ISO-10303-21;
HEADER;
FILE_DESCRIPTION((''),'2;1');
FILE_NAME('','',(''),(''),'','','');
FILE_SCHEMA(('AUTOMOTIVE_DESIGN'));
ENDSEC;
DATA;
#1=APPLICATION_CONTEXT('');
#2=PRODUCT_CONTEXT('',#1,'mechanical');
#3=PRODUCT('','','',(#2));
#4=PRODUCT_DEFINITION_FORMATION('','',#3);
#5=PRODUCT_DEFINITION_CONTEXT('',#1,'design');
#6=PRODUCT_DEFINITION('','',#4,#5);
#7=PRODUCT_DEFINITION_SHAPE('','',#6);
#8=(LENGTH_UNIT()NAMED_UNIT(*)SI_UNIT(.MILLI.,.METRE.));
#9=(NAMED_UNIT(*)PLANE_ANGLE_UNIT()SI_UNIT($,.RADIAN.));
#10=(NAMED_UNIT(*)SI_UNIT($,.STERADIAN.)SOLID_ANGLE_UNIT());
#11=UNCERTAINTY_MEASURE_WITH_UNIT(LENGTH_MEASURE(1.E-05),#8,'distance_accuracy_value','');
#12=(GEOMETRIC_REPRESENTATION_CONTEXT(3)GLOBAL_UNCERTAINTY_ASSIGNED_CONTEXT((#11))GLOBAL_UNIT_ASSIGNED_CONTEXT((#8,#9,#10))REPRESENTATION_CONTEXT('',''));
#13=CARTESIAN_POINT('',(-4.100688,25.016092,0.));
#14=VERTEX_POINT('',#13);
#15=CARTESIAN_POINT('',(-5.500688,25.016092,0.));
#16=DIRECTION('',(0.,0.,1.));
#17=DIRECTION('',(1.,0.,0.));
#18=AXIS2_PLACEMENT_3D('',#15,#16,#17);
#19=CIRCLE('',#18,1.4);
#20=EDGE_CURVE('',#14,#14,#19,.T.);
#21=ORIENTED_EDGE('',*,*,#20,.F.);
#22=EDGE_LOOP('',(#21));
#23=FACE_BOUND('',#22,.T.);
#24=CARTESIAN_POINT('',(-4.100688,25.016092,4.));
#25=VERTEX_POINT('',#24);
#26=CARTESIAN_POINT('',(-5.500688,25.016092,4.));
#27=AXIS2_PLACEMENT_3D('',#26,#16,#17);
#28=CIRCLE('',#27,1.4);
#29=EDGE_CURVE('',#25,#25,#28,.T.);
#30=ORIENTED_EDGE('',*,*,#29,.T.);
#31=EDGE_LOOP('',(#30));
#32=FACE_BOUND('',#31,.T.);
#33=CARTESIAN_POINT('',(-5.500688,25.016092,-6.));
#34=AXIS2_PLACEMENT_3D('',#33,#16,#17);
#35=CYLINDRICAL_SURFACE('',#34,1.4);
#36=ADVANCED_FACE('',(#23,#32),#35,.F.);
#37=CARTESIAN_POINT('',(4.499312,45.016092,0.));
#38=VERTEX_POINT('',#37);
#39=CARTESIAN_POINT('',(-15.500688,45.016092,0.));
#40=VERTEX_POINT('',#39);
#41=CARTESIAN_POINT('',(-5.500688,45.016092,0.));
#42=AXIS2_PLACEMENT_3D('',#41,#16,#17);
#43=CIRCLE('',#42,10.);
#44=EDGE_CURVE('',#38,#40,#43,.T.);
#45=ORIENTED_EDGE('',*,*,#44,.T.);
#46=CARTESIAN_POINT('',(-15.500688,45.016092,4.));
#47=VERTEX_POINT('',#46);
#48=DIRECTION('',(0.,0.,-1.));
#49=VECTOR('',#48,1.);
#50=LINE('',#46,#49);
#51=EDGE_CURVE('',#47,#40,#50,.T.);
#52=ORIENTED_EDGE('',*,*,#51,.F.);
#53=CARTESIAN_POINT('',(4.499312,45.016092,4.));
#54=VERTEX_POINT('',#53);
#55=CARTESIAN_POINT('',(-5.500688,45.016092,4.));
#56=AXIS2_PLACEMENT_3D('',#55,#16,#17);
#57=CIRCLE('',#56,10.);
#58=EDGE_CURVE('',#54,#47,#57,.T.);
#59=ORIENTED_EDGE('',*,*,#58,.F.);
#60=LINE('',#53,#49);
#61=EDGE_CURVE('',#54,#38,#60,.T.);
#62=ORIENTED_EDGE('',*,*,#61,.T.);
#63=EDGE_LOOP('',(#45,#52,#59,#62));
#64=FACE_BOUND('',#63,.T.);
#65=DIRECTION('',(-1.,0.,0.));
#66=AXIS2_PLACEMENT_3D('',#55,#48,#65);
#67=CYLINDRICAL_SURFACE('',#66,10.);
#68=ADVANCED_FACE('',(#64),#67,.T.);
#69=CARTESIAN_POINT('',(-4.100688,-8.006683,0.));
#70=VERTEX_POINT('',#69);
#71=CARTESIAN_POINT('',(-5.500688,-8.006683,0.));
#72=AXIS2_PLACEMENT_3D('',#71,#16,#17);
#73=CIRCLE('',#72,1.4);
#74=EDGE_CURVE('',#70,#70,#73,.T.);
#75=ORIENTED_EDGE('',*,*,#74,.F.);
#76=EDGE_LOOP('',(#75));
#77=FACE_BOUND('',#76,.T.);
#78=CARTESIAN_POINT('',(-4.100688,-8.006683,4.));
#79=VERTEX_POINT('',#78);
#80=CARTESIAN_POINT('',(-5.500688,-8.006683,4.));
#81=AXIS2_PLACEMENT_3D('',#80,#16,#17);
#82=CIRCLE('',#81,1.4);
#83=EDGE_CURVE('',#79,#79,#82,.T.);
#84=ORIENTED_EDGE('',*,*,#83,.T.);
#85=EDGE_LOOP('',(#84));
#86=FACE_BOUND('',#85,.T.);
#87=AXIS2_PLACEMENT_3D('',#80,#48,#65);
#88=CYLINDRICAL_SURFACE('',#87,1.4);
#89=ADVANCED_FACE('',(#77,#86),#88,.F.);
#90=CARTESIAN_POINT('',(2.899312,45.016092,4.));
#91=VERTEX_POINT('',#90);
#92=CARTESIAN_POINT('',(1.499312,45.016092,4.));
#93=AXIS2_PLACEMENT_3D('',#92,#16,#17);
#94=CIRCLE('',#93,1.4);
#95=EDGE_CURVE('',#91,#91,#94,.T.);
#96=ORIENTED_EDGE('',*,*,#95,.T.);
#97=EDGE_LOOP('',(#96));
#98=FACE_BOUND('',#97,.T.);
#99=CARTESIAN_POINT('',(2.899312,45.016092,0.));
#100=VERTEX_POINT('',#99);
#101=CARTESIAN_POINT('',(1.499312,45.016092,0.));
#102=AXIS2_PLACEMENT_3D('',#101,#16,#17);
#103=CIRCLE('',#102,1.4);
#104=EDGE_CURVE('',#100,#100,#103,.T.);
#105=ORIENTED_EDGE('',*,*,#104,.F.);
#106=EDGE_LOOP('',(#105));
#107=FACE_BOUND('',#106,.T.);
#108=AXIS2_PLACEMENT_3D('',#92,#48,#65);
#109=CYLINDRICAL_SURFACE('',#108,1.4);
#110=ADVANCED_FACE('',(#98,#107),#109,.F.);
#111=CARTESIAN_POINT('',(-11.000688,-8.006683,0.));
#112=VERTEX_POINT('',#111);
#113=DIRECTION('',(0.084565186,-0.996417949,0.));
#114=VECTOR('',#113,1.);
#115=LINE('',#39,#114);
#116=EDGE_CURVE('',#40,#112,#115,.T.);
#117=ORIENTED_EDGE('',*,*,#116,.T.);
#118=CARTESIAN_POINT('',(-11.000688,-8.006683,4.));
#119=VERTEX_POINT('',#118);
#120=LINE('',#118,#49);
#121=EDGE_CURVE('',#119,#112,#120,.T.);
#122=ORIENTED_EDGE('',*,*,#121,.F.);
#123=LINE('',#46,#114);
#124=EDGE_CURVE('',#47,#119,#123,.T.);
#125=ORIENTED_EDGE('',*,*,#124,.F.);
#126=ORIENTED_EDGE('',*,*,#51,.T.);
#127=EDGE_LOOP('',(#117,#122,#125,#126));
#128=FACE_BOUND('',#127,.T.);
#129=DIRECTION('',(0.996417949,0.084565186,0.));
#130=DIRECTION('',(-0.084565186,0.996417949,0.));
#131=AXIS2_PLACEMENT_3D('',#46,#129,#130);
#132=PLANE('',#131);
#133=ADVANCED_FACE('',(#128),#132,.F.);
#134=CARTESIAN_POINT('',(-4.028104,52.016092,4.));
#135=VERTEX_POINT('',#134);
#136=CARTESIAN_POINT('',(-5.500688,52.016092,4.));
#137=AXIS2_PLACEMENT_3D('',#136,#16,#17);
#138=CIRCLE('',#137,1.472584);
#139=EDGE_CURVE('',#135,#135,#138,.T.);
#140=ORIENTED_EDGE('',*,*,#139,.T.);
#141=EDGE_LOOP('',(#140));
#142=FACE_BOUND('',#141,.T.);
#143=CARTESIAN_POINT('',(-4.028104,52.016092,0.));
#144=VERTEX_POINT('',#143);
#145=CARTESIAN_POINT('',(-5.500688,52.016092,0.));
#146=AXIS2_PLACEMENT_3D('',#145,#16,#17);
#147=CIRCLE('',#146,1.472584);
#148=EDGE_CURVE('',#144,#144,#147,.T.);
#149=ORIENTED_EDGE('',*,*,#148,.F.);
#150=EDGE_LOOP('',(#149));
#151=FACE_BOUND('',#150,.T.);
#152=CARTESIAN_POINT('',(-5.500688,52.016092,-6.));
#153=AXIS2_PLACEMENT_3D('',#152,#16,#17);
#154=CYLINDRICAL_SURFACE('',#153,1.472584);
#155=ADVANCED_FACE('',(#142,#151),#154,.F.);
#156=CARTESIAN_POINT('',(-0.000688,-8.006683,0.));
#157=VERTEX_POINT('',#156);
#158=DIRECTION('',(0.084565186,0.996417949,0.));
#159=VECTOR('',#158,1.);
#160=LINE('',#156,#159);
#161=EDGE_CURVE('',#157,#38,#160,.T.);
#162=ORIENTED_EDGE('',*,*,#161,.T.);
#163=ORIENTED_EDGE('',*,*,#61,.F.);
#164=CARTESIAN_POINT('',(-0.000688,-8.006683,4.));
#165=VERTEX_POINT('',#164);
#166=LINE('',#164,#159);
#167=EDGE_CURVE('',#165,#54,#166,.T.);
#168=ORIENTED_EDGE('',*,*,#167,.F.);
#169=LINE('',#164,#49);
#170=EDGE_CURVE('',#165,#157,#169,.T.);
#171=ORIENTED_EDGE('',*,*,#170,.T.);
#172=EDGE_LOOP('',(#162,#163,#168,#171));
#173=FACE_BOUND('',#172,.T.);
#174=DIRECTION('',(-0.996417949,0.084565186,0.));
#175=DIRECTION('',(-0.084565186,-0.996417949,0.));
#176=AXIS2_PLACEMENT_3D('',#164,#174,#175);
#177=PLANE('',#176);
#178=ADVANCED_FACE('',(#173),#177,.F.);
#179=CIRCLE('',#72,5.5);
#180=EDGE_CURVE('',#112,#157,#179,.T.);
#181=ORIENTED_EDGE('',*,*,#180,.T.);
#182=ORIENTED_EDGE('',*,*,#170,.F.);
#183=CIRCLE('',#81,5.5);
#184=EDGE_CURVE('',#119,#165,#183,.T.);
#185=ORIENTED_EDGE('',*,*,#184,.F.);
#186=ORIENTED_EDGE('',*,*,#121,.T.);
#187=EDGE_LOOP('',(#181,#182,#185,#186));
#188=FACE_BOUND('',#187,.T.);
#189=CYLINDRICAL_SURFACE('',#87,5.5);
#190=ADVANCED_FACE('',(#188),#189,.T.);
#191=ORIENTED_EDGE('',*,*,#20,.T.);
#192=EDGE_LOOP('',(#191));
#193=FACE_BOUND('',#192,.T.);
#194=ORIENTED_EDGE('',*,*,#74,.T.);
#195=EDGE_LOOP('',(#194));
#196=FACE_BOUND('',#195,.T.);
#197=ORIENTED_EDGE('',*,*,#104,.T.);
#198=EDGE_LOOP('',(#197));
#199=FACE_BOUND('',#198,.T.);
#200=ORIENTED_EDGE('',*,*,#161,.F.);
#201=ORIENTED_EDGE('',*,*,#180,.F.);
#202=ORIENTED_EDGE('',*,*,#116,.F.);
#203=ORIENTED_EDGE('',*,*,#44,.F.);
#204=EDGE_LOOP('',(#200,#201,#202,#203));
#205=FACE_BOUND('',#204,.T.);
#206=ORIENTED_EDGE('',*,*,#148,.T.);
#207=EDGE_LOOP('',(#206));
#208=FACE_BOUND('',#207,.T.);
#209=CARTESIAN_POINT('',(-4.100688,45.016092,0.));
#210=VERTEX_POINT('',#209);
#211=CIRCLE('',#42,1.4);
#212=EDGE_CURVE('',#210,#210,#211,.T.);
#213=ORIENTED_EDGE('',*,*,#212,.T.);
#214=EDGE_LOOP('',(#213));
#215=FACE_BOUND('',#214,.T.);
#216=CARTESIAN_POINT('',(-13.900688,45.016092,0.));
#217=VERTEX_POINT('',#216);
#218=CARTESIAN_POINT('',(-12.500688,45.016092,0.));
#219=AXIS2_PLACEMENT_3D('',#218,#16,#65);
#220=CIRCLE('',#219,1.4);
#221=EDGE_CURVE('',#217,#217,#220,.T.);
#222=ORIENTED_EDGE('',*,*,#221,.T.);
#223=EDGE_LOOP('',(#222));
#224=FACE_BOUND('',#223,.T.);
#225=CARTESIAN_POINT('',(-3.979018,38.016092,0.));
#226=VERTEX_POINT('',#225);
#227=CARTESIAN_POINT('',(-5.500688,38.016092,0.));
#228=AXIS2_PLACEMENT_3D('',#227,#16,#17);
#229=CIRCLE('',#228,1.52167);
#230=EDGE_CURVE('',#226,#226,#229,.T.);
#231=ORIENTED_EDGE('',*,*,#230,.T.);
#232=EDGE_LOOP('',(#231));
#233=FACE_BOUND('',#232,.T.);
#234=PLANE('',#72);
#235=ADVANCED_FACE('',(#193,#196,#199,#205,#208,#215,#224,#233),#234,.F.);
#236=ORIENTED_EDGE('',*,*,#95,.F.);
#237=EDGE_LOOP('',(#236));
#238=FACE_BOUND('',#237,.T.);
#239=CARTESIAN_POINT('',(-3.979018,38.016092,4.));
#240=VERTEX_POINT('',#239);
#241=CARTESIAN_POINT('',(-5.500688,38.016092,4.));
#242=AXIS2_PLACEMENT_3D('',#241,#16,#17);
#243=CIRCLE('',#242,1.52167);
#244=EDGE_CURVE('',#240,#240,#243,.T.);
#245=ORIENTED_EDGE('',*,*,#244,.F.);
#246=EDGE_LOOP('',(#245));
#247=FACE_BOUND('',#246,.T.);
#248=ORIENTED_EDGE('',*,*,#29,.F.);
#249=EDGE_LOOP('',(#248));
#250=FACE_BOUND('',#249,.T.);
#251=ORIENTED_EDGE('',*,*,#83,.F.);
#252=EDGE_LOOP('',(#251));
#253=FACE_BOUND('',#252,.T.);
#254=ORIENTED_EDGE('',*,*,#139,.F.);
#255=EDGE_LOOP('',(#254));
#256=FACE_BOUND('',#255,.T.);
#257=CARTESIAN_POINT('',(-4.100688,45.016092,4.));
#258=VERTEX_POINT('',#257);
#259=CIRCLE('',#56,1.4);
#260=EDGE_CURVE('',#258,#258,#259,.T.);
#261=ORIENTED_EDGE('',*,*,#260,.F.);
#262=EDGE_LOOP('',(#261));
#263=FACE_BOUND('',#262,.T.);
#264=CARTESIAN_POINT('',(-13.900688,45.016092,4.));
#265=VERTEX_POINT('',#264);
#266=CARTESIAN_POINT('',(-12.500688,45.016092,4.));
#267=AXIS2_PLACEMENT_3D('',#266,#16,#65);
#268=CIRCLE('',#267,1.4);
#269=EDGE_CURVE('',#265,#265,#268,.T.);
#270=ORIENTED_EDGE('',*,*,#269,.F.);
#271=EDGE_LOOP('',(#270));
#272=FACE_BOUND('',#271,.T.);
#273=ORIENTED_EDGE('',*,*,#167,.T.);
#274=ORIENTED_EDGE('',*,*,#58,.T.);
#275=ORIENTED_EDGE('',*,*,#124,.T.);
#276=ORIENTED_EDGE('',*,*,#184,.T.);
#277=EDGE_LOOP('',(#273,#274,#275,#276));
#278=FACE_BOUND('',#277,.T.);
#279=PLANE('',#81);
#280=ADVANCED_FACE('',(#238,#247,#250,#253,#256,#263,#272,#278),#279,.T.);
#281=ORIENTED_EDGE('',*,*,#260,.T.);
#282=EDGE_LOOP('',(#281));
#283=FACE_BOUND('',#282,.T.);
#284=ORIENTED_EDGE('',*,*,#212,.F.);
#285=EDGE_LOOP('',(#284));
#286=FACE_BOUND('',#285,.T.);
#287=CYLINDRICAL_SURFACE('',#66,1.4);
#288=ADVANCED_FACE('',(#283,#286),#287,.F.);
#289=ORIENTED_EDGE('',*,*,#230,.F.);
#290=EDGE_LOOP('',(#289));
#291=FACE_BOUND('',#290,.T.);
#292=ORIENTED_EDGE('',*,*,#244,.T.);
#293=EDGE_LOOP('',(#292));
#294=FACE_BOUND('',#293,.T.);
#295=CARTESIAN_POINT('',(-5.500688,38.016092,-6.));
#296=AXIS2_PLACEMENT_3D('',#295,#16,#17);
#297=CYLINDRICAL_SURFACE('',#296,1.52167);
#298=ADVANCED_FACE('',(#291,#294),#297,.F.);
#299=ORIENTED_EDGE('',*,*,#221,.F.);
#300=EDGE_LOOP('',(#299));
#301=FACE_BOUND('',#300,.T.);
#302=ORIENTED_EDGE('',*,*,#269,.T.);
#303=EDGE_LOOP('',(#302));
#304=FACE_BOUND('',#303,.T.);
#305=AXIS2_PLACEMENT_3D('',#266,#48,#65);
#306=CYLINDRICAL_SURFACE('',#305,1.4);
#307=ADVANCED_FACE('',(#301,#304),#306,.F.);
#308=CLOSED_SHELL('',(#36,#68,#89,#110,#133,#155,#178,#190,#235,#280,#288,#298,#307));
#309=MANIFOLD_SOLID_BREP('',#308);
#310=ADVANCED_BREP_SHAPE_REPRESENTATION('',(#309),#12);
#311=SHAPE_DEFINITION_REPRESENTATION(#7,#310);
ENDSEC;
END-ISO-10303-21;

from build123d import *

# Parameters (mm, degrees)
SKETCH1_R           = 1.4
BOSS_EXTRUDE1_DEPTH = 4
SKETCH2_R           = 1.521670414
SKETCH2_R_2         = 1.472584271
CUT_EXTRUDE1_DEPTH  = 10
SKETCH3_R           = 1.4
CUT_EXTRUDE2_DEPTH  = 10


with BuildPart() as part:
    # Sketch1 → Boss-Extrude1 (new body)
    with BuildSketch(Plane.XY):
        with BuildLine():
            Line((-15.500688459, 45.016091721), (-11.000688459, -8.006682704))
            ThreePointArc((-11.000688459, -8.006682704), (-5.500688459, -13.506682704), (-0.000688459, -8.006682704))
            Line((-0.000688459, -8.006682704), (4.499311541, 45.016091721))
            ThreePointArc((4.499311541, 45.016091721), (-5.500688459, 55.016091721), (-15.500688459, 45.016091721))
        make_face()
        with Locations((-5.500688459, -8.006682704)):
            Circle(SKETCH1_R, mode=Mode.SUBTRACT)
        with Locations((-5.500688459, 45.016091721)):
            Circle(SKETCH1_R, mode=Mode.SUBTRACT)
        with Locations((1.499311541, 45.016091721)):
            Circle(SKETCH1_R, mode=Mode.SUBTRACT)
        with Locations((-12.500688459, 45.016091721)):
            Circle(SKETCH1_R, mode=Mode.SUBTRACT)
    extrude(amount=BOSS_EXTRUDE1_DEPTH)

    # Sketch2 → Cut-Extrude1 (cut)
    with BuildSketch(Plane.XY.offset(4)):
        with Locations((-5.500688459, 38.016091721)):
            Circle(SKETCH2_R)
        with Locations((-5.500688459, 52.016091721)):
            Circle(SKETCH2_R_2)
    extrude(amount=-CUT_EXTRUDE1_DEPTH, mode=Mode.SUBTRACT)

    # Sketch3 → Cut-Extrude2 (cut)
    with BuildSketch(Plane.XY.offset(4)):
        with Locations((-5.500688459, 25.016091721)):
            Circle(SKETCH3_R)
    extrude(amount=-CUT_EXTRUDE2_DEPTH, mode=Mode.SUBTRACT)


solid = part.part
